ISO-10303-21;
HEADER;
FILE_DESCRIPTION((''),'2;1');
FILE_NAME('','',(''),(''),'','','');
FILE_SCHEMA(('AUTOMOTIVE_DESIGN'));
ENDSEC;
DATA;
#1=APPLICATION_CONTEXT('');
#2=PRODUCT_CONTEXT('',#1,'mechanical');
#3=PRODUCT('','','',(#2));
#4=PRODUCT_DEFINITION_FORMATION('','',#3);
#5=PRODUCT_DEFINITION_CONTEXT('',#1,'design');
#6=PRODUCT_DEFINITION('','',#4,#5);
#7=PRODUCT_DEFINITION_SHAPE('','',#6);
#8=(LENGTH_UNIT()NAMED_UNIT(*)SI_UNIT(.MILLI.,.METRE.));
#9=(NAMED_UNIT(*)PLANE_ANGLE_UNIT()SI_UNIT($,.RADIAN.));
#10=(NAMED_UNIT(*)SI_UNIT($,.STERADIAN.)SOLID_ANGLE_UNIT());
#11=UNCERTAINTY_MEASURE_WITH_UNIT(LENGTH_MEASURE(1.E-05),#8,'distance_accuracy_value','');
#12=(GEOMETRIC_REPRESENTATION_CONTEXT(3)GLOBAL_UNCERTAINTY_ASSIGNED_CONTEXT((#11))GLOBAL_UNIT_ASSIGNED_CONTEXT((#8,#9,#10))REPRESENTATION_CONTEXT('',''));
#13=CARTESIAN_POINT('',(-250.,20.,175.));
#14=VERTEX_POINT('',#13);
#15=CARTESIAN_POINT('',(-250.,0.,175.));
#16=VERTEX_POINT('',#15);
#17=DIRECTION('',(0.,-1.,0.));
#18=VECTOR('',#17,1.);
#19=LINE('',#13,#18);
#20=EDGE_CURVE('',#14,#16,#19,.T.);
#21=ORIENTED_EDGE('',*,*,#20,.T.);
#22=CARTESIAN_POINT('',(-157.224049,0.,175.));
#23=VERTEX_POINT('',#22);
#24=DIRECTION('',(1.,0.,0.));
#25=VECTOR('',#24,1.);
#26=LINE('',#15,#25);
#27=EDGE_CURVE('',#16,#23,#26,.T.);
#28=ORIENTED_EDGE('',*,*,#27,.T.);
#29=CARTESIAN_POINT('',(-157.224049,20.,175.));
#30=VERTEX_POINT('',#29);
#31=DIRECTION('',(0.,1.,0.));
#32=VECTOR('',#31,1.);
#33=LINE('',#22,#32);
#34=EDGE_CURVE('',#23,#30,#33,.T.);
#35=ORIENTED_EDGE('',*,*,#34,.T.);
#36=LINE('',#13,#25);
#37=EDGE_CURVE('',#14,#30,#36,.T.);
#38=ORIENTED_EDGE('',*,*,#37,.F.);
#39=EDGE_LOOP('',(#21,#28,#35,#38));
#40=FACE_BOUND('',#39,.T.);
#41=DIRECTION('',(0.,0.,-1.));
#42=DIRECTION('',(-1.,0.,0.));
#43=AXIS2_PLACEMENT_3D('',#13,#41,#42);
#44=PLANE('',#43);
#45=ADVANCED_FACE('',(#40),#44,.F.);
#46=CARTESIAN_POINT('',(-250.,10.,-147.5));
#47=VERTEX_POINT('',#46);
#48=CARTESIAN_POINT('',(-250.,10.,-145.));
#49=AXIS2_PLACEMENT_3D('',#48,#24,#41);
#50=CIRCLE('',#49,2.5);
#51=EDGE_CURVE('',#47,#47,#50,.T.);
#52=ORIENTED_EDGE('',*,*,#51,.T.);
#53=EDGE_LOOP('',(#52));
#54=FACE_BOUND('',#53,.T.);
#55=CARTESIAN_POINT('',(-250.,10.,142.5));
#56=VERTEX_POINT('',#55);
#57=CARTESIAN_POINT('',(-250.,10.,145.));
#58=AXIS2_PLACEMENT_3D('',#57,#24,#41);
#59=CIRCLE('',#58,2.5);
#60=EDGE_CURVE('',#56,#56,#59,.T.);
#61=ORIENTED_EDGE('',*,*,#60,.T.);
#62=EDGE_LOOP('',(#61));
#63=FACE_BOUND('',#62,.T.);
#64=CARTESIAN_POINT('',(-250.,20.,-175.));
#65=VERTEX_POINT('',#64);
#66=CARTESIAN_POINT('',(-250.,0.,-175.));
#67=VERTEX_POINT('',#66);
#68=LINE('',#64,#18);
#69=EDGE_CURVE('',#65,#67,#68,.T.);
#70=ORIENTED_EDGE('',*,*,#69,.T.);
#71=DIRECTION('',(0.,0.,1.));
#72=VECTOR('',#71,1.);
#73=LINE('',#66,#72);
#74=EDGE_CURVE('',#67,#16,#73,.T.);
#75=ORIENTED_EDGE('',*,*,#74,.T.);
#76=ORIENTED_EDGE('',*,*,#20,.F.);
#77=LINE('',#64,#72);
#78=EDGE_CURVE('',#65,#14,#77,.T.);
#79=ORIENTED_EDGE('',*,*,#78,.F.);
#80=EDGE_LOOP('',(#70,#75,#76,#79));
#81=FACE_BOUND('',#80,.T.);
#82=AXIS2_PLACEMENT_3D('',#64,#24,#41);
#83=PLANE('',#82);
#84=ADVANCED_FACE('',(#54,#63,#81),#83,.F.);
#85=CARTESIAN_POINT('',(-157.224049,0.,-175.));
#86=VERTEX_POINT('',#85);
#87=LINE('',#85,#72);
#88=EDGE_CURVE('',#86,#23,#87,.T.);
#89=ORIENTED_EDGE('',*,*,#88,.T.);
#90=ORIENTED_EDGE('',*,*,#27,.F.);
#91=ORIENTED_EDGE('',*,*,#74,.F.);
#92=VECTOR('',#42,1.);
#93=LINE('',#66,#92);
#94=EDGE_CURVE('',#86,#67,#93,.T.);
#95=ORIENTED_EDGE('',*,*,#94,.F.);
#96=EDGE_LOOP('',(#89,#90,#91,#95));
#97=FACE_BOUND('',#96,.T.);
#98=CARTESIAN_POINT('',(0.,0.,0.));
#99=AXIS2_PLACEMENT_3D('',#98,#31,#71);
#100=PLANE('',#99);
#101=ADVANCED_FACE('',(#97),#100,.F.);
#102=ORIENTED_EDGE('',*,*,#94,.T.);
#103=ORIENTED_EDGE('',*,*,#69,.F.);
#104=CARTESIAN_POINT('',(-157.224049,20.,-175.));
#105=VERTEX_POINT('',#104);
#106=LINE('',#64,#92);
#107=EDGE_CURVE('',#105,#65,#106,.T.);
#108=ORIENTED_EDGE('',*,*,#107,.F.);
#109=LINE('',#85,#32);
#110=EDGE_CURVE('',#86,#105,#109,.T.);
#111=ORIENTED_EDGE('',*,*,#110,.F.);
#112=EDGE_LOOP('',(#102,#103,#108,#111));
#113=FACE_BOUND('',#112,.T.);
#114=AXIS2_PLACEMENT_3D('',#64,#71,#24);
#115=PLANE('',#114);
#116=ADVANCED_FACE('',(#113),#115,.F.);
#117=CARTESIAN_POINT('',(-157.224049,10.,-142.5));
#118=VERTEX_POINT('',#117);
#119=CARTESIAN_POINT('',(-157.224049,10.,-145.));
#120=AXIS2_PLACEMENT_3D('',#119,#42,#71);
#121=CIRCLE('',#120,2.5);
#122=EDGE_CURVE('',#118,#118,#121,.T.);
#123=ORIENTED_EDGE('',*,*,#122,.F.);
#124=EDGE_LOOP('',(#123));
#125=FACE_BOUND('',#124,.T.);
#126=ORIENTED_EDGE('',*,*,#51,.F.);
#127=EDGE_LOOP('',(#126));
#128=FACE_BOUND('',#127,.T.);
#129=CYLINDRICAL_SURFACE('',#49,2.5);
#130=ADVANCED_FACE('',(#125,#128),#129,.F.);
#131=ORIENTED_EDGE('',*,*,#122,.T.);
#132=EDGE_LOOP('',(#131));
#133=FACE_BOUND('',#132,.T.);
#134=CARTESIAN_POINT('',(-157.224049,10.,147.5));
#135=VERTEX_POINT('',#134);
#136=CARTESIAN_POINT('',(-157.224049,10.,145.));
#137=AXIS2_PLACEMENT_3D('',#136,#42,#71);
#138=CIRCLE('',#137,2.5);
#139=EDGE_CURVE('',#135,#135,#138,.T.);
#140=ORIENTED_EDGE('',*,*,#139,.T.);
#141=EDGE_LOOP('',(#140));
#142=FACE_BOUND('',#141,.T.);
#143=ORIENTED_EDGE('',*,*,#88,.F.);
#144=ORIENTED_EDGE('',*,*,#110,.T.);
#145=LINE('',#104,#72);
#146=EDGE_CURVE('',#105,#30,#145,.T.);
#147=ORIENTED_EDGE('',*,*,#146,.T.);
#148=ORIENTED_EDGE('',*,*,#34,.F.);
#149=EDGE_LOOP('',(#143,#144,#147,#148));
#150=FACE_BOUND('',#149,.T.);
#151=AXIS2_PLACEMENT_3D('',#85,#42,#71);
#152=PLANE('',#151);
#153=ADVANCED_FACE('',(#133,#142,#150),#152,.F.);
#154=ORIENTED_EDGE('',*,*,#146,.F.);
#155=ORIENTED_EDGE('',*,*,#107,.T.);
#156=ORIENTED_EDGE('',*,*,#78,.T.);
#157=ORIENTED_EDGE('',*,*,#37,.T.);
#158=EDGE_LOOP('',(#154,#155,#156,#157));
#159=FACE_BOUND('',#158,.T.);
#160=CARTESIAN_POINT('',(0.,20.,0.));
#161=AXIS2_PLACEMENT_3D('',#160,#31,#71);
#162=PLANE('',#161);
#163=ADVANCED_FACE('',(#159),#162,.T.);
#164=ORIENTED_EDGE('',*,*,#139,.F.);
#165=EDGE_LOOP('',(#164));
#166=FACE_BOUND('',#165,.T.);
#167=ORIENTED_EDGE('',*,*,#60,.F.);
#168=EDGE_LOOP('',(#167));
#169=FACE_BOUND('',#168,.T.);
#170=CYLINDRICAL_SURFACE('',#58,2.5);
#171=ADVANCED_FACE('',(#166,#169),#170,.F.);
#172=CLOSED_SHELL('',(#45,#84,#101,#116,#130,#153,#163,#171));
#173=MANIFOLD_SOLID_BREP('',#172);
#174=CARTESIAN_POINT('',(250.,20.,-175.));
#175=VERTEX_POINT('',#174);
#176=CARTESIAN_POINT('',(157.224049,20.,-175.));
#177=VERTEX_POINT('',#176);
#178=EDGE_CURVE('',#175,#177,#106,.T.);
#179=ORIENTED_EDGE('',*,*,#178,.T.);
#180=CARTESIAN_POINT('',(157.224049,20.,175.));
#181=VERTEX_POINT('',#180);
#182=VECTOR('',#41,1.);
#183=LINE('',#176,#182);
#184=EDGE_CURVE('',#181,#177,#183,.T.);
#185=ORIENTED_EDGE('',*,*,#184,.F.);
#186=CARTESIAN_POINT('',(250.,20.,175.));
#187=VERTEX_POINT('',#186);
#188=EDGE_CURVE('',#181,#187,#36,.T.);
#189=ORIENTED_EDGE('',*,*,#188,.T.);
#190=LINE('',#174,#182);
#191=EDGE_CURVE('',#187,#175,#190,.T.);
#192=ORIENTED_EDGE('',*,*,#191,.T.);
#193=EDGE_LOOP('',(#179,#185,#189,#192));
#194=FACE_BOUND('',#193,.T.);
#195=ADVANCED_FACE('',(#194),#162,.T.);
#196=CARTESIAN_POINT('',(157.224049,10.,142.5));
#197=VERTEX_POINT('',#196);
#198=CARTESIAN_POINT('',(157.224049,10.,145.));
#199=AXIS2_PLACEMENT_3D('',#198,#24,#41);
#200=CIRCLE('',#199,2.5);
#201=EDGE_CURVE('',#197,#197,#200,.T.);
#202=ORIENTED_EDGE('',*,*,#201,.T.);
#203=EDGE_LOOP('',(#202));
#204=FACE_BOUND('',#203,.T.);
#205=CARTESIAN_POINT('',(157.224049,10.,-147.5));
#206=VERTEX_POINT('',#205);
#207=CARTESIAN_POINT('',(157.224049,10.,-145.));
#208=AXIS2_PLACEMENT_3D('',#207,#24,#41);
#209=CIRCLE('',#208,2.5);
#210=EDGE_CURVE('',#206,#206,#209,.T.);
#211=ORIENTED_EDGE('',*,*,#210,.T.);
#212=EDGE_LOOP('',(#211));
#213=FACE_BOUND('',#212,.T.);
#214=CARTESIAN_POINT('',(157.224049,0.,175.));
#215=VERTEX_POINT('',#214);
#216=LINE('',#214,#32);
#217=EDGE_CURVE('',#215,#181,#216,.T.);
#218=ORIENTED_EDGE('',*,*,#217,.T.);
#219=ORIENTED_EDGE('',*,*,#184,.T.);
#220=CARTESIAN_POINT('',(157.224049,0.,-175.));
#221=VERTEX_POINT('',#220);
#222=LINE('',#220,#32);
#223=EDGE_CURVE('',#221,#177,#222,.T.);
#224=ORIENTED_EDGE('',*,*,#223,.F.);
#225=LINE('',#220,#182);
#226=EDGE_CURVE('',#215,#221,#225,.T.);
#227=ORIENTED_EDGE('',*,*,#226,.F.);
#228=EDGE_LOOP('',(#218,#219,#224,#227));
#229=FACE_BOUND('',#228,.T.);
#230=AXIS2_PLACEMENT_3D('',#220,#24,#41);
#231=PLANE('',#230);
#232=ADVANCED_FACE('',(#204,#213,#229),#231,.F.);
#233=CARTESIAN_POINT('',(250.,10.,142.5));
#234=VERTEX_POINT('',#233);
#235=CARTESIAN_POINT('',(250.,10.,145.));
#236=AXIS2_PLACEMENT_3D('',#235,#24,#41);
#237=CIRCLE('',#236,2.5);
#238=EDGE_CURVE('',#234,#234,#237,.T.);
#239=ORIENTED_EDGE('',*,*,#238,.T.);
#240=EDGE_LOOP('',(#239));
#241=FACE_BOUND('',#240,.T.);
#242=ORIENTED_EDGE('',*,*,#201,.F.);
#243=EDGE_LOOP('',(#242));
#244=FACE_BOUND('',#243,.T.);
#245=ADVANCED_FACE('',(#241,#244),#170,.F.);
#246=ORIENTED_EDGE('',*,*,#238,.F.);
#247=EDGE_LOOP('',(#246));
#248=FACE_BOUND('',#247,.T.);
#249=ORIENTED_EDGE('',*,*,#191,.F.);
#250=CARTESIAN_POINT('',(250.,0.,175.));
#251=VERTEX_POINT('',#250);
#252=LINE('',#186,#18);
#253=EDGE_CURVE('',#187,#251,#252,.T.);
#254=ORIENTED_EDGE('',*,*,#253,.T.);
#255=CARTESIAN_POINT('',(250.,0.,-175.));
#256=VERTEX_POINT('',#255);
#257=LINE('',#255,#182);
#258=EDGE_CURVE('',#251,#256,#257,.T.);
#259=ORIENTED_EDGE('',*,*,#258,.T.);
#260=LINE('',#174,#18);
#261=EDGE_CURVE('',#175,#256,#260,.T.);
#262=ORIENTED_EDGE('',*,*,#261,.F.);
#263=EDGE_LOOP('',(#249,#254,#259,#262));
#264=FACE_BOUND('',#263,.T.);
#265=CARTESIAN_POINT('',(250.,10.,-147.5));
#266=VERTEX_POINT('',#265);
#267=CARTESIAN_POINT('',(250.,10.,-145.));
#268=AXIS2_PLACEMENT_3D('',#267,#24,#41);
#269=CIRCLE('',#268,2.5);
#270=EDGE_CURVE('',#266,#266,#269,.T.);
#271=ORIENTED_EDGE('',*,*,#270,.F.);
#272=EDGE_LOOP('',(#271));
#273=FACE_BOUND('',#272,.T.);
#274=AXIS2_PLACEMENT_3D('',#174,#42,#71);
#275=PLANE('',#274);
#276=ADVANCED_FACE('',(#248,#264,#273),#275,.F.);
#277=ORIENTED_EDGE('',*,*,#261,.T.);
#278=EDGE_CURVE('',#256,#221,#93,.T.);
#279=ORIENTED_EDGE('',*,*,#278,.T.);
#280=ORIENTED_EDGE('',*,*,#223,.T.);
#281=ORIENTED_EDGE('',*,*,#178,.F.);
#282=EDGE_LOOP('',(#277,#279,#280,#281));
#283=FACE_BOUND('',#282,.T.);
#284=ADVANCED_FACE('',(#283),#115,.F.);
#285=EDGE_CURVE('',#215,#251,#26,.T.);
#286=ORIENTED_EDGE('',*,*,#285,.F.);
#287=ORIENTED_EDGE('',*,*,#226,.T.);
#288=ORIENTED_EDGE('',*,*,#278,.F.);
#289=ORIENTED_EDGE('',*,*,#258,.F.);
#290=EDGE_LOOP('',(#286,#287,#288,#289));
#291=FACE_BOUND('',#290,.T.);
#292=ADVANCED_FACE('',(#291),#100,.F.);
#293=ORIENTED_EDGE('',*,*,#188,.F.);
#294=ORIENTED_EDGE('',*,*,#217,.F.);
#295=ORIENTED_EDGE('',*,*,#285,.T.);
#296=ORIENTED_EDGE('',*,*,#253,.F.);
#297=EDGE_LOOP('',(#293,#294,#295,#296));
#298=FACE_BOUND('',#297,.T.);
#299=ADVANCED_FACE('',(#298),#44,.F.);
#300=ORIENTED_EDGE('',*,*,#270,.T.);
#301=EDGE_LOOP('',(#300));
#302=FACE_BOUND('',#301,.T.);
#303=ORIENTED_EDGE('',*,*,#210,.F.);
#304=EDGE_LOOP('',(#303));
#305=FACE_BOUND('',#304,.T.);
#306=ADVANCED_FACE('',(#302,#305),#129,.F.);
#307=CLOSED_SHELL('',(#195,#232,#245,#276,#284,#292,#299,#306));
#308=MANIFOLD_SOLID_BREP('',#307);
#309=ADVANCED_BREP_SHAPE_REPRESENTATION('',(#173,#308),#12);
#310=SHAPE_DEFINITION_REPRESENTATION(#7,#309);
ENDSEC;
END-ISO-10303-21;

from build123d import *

# Parameters (mm, degrees)
SKETCH1_W           = 500
SKETCH1_H           = 350
BOSS_EXTRUDE1_DEPTH = 20
SKETCH2_W           = 314.448097146
SKETCH2_H           = 350
CUT_EXTRUDE1_DEPTH  = 306.818573667
SKETCH4_R           = 2.5
CUT_EXTRUDE2_DEPTH  = 531.117911412


with BuildPart() as part:
    # Sketch1 → Boss-Extrude1 (new body)
    with BuildSketch(Plane(origin=(0, 0, 0), x_dir=(1, 0, 0), z_dir=(0, 1, 0))):
        Rectangle(SKETCH1_W, SKETCH1_H)
    extrude(amount=BOSS_EXTRUDE1_DEPTH)

    # Sketch2 → Cut-Extrude1 (cut, through all)
    with BuildSketch(Plane(origin=(0, 20, 0), x_dir=(1, 0, 0), z_dir=(0, 1, 0))):
        Rectangle(SKETCH2_W, SKETCH2_H)
    extrude(amount=-CUT_EXTRUDE1_DEPTH, mode=Mode.SUBTRACT)


with BuildPart() as cut_extrude1_piece_1:
    # of the separate pieces the step leaves, piece 1, a body of its own (cut_extrude1_pieces)
    add(part.part.solids().sort_by_distance((157.224048573, 0, -175))[0])


with BuildPart() as cut_extrude1_piece_2:
    # of the separate pieces the step leaves, piece 2, a body of its own (cut_extrude1_pieces)
    add(part.part.solids().sort_by_distance((-250, 0, -175))[0])


with BuildPart() as cut_extrude2_tool:
    # Sketch4 → Cut-Extrude2 (new, through all)
    with BuildSketch(Plane(origin=(250, 0, 0), x_dir=(0, 0, -1), z_dir=(1, 0, 0))):
        with Locations((-145, 10)):
            Circle(SKETCH4_R)
        with Locations((145, 10)):
            Circle(SKETCH4_R)
    extrude(amount=-CUT_EXTRUDE2_DEPTH)


with BuildPart() as cut_extrude1_piece_1_1:
    add(cut_extrude1_piece_1.part)

    # Cut-Extrude2: cut by cut_extrude2_tool
    add(cut_extrude2_tool.part, mode=Mode.SUBTRACT)


with BuildPart() as cut_extrude1_piece_2_1:
    add(cut_extrude1_piece_2.part)

    # Cut-Extrude2: cut by cut_extrude2_tool
    add(cut_extrude2_tool.part, mode=Mode.SUBTRACT)


solid = Compound([cut_extrude1_piece_1_1.part, cut_extrude1_piece_2_1.part])
